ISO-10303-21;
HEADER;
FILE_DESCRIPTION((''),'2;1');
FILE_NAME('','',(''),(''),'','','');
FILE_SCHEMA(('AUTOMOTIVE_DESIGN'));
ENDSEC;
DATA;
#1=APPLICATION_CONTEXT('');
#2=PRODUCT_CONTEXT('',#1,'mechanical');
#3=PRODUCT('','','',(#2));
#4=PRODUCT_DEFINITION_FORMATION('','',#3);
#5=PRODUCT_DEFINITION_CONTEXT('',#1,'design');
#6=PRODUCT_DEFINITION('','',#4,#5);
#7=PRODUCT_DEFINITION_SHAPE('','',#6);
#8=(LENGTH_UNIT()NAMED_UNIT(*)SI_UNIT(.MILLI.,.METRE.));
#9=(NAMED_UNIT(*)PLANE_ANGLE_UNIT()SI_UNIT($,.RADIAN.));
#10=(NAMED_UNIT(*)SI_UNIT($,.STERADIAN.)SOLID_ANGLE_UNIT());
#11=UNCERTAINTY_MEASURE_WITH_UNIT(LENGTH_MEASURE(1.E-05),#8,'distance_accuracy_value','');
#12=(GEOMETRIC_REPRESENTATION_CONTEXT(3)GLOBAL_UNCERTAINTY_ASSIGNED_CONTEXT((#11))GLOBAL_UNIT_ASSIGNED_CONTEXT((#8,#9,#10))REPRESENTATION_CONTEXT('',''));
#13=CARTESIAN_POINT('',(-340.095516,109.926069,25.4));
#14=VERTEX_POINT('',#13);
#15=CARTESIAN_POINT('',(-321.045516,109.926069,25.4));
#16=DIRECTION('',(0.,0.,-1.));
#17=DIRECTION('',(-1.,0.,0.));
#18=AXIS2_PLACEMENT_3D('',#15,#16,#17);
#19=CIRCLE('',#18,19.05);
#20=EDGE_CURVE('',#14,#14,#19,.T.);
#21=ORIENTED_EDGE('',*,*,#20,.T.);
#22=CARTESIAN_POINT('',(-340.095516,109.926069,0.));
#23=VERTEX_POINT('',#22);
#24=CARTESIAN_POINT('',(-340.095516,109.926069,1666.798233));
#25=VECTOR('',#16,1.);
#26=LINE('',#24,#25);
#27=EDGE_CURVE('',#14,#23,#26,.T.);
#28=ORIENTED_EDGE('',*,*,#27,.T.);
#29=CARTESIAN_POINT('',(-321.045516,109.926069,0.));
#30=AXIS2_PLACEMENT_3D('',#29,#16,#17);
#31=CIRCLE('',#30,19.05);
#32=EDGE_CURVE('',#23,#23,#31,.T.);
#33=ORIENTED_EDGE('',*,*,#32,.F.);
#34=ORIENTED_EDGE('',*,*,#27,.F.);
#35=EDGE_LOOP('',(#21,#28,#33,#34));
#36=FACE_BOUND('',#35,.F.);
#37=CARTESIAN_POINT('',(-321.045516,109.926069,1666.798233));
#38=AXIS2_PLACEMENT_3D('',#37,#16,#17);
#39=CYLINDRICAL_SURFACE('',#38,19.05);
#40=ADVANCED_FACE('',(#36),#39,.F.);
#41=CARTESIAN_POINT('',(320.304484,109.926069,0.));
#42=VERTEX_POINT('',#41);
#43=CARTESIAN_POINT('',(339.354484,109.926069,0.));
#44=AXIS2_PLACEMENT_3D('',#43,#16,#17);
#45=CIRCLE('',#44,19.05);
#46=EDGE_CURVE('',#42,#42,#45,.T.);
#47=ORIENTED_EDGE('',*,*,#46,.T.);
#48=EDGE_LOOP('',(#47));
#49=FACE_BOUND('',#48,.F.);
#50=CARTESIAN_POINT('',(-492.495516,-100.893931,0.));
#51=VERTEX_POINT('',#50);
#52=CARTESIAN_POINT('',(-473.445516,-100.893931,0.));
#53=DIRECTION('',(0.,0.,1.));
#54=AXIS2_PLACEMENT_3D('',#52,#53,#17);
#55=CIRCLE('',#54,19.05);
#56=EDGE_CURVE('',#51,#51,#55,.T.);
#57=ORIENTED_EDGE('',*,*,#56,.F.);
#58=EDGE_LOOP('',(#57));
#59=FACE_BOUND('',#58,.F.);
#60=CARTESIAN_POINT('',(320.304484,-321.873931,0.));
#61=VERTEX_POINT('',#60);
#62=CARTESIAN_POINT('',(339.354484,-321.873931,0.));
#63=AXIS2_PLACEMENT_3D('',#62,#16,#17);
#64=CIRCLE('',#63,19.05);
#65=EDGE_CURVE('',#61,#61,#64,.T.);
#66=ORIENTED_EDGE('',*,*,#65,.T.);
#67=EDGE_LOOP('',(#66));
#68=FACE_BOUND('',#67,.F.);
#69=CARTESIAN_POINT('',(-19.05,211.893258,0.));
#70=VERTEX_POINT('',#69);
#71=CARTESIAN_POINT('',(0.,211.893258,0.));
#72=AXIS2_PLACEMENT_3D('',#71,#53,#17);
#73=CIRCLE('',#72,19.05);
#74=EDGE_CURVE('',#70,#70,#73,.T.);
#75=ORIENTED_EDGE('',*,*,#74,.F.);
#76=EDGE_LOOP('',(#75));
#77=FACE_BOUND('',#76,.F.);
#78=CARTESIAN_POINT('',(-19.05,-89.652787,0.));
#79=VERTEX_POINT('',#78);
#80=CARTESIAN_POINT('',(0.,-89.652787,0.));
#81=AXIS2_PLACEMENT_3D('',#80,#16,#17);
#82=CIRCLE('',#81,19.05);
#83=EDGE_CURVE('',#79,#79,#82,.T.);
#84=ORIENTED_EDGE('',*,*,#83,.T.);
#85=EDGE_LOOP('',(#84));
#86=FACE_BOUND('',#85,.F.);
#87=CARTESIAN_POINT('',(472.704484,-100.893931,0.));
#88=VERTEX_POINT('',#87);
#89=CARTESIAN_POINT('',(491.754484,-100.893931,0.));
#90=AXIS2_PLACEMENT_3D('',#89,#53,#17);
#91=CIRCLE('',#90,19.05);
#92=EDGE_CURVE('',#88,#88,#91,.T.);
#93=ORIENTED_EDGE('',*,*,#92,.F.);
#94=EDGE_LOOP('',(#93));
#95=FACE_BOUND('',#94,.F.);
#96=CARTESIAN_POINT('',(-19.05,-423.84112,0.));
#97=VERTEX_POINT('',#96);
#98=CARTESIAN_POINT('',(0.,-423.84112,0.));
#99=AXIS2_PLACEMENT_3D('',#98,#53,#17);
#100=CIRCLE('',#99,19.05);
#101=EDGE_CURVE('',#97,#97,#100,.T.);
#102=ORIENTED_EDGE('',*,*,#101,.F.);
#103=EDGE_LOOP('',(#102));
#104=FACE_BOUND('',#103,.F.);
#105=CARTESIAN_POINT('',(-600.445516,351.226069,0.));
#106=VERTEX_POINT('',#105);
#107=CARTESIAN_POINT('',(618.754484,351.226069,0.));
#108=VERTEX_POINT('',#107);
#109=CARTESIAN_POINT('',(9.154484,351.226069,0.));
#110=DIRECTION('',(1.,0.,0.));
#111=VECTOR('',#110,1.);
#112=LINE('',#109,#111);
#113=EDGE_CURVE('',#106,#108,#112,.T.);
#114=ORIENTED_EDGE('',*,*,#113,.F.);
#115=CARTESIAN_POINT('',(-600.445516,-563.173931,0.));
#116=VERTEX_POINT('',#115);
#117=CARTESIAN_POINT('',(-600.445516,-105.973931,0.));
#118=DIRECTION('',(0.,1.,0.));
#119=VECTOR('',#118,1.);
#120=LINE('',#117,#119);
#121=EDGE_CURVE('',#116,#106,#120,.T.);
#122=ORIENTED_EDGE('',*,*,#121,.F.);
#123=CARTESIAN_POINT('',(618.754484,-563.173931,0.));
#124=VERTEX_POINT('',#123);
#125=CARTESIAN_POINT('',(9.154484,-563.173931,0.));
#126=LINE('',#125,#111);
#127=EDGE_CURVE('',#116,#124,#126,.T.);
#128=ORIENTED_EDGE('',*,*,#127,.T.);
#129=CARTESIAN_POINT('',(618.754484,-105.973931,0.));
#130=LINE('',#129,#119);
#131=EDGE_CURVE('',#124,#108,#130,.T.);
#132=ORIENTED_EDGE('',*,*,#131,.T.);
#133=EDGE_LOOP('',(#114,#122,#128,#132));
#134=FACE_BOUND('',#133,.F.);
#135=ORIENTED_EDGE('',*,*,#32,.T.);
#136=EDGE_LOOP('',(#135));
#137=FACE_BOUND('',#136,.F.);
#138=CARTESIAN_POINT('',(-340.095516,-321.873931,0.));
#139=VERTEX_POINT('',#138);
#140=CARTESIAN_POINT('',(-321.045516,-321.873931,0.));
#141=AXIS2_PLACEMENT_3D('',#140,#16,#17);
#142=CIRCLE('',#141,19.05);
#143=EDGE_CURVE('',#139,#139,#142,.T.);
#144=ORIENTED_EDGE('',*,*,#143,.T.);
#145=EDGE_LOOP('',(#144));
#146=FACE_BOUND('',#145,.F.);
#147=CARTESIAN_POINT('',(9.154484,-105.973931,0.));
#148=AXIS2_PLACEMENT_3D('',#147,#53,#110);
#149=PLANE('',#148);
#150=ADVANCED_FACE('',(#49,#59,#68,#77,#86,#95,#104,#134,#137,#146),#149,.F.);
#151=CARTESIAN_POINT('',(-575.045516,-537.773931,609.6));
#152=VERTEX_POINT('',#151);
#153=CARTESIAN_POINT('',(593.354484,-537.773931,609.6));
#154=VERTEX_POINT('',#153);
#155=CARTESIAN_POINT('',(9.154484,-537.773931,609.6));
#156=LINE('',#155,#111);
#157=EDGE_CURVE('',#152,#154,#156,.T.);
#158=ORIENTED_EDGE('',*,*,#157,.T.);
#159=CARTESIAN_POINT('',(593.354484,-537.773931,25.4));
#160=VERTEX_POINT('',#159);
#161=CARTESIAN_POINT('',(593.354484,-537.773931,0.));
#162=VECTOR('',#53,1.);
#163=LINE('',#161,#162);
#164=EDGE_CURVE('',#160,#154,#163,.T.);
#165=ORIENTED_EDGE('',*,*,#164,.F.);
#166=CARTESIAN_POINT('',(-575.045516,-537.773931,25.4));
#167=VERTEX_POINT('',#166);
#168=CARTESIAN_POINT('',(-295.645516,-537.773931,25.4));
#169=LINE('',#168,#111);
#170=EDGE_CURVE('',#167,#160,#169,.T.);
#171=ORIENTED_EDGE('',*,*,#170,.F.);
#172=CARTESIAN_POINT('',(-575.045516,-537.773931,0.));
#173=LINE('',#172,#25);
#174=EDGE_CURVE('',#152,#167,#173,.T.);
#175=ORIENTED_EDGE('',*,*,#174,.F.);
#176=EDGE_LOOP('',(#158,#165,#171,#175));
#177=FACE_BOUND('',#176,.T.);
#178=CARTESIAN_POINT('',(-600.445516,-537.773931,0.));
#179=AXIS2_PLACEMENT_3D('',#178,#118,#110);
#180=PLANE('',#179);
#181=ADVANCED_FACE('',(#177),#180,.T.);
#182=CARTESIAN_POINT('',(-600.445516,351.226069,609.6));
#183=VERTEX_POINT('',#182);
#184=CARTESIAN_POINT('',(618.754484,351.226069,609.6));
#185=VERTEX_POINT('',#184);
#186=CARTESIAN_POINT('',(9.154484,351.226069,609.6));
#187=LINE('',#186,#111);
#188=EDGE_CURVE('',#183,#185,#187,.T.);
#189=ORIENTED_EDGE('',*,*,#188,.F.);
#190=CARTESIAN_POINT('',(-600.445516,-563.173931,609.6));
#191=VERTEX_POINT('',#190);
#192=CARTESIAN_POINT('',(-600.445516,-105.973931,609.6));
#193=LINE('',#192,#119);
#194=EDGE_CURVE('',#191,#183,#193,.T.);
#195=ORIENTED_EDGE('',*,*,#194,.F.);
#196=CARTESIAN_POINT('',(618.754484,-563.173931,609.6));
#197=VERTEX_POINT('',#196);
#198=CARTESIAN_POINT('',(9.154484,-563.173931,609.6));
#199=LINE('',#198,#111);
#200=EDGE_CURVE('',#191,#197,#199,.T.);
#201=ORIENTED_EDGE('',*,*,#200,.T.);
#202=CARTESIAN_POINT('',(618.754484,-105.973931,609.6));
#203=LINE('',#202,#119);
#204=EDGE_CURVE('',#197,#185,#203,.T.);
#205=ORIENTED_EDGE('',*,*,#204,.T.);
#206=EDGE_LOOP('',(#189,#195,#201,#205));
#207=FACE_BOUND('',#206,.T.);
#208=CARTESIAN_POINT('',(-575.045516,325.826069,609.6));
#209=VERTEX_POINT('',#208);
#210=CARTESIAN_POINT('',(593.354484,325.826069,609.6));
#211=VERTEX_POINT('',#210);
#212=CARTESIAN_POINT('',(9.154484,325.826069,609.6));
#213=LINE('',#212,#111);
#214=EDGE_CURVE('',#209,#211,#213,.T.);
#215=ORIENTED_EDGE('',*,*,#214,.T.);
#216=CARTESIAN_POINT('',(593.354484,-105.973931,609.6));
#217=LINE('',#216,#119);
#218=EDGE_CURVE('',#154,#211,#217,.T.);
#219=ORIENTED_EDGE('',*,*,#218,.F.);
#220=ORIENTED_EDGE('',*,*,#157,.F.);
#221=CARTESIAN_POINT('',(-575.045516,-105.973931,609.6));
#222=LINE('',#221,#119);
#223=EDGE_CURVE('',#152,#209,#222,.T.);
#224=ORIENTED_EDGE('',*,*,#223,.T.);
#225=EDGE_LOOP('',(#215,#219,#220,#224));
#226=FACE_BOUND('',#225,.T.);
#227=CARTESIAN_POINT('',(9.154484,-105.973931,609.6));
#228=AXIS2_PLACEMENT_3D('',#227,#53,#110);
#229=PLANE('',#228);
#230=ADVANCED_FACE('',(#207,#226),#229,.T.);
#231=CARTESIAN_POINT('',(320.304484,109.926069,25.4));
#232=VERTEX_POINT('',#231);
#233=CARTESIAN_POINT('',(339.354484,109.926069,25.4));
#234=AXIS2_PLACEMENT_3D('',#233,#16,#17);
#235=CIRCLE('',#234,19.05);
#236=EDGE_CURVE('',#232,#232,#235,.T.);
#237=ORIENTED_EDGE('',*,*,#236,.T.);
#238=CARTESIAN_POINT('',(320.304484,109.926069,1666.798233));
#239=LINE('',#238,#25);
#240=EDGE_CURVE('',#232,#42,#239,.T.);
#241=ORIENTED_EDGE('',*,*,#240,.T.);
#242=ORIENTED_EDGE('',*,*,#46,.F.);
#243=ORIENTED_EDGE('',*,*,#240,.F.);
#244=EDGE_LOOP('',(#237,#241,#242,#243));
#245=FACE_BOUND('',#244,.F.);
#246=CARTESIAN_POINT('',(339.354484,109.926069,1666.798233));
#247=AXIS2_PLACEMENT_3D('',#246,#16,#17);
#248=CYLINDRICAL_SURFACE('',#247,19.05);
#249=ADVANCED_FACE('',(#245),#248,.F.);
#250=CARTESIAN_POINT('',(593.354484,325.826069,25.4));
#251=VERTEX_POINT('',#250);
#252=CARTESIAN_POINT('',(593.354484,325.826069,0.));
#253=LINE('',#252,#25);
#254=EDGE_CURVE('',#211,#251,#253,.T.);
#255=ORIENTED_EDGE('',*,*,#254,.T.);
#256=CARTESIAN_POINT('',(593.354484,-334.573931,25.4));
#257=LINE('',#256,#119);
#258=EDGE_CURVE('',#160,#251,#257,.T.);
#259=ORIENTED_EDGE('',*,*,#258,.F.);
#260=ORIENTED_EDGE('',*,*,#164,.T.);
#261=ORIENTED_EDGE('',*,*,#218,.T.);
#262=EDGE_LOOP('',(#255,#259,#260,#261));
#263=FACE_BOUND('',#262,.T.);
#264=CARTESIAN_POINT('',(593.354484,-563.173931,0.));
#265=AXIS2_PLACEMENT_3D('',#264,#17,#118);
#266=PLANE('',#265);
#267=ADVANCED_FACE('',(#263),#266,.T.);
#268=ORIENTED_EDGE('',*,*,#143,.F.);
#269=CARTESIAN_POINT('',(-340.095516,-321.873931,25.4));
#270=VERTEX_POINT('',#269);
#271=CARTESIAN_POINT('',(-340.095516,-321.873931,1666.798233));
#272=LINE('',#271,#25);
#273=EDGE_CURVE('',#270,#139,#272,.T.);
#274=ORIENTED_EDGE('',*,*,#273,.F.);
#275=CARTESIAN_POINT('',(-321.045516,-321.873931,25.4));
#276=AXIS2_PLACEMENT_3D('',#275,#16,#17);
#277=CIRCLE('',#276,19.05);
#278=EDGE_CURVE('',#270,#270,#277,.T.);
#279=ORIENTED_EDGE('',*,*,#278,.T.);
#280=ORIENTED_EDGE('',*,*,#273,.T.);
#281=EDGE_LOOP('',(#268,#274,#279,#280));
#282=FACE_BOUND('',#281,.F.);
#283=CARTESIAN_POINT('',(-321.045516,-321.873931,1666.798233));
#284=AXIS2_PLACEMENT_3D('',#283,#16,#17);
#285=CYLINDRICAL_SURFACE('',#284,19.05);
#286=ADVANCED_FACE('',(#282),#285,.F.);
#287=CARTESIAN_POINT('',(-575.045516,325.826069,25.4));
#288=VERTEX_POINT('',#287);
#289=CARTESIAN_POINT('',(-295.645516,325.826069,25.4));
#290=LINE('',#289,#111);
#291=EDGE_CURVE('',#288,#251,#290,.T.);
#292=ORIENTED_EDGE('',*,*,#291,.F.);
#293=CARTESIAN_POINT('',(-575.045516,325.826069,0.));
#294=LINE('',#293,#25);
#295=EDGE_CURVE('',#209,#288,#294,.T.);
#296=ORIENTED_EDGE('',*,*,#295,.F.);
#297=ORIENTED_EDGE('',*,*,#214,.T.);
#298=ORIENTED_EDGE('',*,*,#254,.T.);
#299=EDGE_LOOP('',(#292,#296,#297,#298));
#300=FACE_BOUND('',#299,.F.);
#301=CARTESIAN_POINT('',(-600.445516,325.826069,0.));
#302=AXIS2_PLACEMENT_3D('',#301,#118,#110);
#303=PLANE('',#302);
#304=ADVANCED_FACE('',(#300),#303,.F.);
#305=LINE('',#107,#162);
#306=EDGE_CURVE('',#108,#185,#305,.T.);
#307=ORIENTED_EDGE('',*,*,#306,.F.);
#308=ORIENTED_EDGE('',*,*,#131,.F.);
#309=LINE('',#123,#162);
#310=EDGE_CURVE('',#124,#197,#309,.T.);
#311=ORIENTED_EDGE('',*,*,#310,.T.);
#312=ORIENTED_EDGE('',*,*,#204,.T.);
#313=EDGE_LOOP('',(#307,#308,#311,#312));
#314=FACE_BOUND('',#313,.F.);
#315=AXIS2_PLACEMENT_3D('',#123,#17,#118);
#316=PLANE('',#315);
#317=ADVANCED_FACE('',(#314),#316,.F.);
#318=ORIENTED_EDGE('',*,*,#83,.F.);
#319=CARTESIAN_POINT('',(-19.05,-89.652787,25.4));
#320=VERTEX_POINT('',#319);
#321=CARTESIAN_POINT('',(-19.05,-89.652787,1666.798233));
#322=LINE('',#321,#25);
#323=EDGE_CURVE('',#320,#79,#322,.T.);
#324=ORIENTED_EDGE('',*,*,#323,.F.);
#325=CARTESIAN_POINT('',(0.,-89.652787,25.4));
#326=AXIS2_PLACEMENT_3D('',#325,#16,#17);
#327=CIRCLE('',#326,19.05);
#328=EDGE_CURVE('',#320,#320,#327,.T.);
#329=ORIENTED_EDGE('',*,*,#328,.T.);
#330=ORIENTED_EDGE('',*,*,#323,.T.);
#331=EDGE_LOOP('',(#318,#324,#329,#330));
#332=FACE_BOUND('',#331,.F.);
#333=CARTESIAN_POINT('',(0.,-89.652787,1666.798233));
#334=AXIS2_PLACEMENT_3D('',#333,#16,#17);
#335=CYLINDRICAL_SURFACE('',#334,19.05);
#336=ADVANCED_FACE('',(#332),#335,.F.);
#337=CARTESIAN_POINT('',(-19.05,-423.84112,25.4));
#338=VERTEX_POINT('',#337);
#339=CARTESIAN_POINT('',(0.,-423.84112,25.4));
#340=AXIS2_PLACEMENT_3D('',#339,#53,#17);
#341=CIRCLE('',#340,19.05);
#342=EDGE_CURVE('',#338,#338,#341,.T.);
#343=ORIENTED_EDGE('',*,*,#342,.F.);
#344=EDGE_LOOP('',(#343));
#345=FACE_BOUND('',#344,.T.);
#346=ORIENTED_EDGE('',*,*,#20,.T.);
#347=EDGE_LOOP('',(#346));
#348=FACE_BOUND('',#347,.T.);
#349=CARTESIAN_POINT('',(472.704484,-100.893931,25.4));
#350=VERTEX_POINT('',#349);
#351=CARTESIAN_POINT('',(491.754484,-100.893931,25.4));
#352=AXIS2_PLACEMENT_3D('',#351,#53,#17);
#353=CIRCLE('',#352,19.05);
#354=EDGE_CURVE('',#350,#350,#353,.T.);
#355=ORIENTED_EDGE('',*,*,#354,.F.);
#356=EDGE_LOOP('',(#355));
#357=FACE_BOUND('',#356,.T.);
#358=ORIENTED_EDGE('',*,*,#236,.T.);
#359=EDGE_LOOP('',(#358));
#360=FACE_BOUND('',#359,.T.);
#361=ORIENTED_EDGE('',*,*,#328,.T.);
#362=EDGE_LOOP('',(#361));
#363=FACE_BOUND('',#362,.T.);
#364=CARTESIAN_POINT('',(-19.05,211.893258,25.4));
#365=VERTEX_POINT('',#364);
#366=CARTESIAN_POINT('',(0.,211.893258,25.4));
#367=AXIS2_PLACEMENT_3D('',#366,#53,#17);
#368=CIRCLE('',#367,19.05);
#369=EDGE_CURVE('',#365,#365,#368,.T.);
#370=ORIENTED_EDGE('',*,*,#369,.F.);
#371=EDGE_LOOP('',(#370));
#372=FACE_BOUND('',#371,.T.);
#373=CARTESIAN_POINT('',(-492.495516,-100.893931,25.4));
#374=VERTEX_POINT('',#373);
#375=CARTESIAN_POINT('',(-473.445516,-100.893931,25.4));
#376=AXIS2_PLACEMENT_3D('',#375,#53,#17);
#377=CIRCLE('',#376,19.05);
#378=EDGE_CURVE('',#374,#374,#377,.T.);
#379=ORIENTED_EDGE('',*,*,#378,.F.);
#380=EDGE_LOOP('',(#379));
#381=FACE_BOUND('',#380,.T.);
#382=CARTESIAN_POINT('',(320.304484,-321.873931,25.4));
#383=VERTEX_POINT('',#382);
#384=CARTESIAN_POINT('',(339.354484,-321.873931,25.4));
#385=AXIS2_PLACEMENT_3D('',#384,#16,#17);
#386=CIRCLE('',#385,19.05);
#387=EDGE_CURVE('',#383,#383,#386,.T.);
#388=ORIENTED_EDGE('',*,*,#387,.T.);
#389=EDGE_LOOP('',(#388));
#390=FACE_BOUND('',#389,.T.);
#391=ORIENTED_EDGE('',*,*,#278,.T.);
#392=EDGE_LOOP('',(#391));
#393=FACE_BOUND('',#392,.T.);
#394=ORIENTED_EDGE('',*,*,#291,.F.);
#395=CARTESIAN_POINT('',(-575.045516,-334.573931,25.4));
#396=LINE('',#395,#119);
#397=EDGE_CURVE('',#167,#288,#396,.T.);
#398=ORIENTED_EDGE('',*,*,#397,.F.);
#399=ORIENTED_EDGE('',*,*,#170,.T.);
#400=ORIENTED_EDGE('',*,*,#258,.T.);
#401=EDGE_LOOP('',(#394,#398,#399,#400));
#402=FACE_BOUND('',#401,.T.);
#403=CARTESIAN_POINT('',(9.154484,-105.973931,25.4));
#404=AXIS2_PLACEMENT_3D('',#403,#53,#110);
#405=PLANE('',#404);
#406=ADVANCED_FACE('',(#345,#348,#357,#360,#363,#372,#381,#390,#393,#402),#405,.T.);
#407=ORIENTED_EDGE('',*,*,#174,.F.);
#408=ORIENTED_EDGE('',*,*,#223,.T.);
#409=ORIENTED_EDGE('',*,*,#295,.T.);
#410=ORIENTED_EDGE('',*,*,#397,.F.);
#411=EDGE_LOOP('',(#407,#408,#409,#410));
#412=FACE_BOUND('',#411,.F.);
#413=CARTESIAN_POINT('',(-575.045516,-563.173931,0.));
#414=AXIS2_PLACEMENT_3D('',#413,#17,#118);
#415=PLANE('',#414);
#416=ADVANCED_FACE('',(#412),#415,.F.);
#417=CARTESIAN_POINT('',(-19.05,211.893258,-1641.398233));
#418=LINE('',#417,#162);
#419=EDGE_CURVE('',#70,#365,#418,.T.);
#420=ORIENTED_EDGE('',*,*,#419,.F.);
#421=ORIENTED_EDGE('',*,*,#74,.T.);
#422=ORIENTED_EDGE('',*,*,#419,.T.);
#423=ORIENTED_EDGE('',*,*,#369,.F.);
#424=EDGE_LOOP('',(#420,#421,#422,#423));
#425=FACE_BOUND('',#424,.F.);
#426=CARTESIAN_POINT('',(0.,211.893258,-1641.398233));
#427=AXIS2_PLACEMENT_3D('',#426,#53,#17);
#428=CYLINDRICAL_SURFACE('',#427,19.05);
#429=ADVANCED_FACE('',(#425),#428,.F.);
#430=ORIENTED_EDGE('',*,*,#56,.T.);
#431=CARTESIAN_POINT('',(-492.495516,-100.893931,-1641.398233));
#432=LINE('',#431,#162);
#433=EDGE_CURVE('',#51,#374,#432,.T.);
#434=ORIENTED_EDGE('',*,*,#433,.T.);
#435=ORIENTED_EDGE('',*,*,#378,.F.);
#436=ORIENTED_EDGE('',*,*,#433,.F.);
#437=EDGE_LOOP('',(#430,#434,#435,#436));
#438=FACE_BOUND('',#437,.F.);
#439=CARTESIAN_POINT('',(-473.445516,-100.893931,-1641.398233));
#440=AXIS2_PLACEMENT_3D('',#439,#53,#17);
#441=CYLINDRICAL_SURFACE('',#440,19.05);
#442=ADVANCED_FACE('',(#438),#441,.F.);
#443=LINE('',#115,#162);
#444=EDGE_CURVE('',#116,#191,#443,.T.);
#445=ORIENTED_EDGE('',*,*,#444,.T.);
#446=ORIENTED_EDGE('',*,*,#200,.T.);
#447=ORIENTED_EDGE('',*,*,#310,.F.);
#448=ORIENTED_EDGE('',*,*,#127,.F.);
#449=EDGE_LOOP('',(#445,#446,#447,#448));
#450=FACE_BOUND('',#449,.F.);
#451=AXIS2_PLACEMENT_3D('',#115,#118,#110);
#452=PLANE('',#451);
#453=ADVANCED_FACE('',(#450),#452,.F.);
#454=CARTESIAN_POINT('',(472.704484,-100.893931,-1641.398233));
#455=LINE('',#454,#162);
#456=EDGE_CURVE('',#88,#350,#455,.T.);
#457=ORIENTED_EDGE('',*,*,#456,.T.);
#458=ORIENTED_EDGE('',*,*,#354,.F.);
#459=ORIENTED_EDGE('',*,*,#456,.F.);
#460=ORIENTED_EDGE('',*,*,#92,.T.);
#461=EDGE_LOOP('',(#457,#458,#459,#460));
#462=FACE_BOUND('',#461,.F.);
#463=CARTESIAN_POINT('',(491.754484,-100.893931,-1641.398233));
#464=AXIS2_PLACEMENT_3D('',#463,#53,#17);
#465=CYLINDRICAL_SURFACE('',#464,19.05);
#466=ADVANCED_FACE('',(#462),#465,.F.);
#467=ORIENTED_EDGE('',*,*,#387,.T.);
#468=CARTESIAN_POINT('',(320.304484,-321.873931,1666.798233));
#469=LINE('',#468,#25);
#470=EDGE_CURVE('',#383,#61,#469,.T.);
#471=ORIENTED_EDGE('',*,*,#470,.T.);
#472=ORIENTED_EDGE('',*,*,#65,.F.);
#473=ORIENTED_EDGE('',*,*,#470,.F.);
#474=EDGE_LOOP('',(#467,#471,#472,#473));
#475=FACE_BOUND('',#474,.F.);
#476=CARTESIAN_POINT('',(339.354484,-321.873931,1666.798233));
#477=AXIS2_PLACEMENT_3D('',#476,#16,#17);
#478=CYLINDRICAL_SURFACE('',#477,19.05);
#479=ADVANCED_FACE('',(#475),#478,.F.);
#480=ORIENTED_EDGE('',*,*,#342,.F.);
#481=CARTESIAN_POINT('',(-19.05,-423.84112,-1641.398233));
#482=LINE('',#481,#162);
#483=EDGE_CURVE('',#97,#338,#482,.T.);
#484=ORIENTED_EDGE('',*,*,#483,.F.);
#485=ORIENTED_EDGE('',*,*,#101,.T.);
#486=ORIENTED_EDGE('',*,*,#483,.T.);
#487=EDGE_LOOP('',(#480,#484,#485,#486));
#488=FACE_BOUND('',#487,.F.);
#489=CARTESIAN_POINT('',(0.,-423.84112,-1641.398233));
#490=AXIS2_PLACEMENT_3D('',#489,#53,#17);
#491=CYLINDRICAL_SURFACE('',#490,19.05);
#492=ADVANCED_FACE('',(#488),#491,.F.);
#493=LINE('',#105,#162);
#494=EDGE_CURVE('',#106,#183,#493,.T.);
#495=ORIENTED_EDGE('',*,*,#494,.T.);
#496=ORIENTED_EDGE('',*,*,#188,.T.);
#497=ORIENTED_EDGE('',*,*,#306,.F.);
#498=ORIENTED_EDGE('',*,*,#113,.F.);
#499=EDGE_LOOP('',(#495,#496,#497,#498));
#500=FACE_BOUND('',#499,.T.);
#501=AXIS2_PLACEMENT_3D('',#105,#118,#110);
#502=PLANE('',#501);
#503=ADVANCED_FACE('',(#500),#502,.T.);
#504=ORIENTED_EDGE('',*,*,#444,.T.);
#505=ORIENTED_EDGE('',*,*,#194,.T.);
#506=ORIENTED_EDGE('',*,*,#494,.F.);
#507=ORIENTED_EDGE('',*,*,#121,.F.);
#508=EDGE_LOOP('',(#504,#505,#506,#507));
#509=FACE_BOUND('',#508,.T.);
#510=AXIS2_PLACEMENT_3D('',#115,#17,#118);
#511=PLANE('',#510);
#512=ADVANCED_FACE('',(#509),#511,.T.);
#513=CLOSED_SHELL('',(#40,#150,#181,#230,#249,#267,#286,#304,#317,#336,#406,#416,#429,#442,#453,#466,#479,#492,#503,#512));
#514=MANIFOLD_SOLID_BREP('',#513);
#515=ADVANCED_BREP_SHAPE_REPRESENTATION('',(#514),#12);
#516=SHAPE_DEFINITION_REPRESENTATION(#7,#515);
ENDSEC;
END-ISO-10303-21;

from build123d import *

# Parameters (mm, degrees)
F0_W     = 1219.2
F0_H     = 914.4
F1_DEPTH = 609.6
F2_T     = -25.4
F4_D     = 38.1
F6_D     = 38.1
F8_D     = 38.1


with BuildPart() as f1:
    # F0 (on Top) → F1 (new body)
    with BuildSketch(Plane.XY):
        with Locations((9.154483676, -105.9739306412)):
            Rectangle(F0_W, F0_H)
    extrude(amount=F1_DEPTH)

    # F2
    f2_openings = [f1.faces().sort_by_distance(p)[0] for p in [
        (9.154484, -105.973931, 609.6),
    ]]
    offset(amount=F2_T, openings=f2_openings)

    # F4 (through all)
    with Locations(Plane.XY.offset(25.4)):
        with Locations((-321.045516324, 109.9260693588), (339.354483676, 109.9260693588), (339.354483676, -321.8739306412), (-321.045516324, -321.8739306412), (0, -89.6527866654)):
            Hole(F4_D / 2)

    # F6 (through all)
    with Locations(Plane(origin=(0, 0, 0), x_dir=(1, 0, 0), z_dir=(0, 0, -1))):
        with Locations((0, -211.8932583313), (0, 423.8411196137)):
            Hole(F6_D / 2)

    # F8 (through all)
    with Locations(Plane(origin=(0, 0, 0), x_dir=(1, 0, 0), z_dir=(0, 0, -1))):
        with Locations((-473.445516324, 100.8939306412), (491.754483676, 100.8939306412)):
            Hole(F8_D / 2)


solid = f1.part
